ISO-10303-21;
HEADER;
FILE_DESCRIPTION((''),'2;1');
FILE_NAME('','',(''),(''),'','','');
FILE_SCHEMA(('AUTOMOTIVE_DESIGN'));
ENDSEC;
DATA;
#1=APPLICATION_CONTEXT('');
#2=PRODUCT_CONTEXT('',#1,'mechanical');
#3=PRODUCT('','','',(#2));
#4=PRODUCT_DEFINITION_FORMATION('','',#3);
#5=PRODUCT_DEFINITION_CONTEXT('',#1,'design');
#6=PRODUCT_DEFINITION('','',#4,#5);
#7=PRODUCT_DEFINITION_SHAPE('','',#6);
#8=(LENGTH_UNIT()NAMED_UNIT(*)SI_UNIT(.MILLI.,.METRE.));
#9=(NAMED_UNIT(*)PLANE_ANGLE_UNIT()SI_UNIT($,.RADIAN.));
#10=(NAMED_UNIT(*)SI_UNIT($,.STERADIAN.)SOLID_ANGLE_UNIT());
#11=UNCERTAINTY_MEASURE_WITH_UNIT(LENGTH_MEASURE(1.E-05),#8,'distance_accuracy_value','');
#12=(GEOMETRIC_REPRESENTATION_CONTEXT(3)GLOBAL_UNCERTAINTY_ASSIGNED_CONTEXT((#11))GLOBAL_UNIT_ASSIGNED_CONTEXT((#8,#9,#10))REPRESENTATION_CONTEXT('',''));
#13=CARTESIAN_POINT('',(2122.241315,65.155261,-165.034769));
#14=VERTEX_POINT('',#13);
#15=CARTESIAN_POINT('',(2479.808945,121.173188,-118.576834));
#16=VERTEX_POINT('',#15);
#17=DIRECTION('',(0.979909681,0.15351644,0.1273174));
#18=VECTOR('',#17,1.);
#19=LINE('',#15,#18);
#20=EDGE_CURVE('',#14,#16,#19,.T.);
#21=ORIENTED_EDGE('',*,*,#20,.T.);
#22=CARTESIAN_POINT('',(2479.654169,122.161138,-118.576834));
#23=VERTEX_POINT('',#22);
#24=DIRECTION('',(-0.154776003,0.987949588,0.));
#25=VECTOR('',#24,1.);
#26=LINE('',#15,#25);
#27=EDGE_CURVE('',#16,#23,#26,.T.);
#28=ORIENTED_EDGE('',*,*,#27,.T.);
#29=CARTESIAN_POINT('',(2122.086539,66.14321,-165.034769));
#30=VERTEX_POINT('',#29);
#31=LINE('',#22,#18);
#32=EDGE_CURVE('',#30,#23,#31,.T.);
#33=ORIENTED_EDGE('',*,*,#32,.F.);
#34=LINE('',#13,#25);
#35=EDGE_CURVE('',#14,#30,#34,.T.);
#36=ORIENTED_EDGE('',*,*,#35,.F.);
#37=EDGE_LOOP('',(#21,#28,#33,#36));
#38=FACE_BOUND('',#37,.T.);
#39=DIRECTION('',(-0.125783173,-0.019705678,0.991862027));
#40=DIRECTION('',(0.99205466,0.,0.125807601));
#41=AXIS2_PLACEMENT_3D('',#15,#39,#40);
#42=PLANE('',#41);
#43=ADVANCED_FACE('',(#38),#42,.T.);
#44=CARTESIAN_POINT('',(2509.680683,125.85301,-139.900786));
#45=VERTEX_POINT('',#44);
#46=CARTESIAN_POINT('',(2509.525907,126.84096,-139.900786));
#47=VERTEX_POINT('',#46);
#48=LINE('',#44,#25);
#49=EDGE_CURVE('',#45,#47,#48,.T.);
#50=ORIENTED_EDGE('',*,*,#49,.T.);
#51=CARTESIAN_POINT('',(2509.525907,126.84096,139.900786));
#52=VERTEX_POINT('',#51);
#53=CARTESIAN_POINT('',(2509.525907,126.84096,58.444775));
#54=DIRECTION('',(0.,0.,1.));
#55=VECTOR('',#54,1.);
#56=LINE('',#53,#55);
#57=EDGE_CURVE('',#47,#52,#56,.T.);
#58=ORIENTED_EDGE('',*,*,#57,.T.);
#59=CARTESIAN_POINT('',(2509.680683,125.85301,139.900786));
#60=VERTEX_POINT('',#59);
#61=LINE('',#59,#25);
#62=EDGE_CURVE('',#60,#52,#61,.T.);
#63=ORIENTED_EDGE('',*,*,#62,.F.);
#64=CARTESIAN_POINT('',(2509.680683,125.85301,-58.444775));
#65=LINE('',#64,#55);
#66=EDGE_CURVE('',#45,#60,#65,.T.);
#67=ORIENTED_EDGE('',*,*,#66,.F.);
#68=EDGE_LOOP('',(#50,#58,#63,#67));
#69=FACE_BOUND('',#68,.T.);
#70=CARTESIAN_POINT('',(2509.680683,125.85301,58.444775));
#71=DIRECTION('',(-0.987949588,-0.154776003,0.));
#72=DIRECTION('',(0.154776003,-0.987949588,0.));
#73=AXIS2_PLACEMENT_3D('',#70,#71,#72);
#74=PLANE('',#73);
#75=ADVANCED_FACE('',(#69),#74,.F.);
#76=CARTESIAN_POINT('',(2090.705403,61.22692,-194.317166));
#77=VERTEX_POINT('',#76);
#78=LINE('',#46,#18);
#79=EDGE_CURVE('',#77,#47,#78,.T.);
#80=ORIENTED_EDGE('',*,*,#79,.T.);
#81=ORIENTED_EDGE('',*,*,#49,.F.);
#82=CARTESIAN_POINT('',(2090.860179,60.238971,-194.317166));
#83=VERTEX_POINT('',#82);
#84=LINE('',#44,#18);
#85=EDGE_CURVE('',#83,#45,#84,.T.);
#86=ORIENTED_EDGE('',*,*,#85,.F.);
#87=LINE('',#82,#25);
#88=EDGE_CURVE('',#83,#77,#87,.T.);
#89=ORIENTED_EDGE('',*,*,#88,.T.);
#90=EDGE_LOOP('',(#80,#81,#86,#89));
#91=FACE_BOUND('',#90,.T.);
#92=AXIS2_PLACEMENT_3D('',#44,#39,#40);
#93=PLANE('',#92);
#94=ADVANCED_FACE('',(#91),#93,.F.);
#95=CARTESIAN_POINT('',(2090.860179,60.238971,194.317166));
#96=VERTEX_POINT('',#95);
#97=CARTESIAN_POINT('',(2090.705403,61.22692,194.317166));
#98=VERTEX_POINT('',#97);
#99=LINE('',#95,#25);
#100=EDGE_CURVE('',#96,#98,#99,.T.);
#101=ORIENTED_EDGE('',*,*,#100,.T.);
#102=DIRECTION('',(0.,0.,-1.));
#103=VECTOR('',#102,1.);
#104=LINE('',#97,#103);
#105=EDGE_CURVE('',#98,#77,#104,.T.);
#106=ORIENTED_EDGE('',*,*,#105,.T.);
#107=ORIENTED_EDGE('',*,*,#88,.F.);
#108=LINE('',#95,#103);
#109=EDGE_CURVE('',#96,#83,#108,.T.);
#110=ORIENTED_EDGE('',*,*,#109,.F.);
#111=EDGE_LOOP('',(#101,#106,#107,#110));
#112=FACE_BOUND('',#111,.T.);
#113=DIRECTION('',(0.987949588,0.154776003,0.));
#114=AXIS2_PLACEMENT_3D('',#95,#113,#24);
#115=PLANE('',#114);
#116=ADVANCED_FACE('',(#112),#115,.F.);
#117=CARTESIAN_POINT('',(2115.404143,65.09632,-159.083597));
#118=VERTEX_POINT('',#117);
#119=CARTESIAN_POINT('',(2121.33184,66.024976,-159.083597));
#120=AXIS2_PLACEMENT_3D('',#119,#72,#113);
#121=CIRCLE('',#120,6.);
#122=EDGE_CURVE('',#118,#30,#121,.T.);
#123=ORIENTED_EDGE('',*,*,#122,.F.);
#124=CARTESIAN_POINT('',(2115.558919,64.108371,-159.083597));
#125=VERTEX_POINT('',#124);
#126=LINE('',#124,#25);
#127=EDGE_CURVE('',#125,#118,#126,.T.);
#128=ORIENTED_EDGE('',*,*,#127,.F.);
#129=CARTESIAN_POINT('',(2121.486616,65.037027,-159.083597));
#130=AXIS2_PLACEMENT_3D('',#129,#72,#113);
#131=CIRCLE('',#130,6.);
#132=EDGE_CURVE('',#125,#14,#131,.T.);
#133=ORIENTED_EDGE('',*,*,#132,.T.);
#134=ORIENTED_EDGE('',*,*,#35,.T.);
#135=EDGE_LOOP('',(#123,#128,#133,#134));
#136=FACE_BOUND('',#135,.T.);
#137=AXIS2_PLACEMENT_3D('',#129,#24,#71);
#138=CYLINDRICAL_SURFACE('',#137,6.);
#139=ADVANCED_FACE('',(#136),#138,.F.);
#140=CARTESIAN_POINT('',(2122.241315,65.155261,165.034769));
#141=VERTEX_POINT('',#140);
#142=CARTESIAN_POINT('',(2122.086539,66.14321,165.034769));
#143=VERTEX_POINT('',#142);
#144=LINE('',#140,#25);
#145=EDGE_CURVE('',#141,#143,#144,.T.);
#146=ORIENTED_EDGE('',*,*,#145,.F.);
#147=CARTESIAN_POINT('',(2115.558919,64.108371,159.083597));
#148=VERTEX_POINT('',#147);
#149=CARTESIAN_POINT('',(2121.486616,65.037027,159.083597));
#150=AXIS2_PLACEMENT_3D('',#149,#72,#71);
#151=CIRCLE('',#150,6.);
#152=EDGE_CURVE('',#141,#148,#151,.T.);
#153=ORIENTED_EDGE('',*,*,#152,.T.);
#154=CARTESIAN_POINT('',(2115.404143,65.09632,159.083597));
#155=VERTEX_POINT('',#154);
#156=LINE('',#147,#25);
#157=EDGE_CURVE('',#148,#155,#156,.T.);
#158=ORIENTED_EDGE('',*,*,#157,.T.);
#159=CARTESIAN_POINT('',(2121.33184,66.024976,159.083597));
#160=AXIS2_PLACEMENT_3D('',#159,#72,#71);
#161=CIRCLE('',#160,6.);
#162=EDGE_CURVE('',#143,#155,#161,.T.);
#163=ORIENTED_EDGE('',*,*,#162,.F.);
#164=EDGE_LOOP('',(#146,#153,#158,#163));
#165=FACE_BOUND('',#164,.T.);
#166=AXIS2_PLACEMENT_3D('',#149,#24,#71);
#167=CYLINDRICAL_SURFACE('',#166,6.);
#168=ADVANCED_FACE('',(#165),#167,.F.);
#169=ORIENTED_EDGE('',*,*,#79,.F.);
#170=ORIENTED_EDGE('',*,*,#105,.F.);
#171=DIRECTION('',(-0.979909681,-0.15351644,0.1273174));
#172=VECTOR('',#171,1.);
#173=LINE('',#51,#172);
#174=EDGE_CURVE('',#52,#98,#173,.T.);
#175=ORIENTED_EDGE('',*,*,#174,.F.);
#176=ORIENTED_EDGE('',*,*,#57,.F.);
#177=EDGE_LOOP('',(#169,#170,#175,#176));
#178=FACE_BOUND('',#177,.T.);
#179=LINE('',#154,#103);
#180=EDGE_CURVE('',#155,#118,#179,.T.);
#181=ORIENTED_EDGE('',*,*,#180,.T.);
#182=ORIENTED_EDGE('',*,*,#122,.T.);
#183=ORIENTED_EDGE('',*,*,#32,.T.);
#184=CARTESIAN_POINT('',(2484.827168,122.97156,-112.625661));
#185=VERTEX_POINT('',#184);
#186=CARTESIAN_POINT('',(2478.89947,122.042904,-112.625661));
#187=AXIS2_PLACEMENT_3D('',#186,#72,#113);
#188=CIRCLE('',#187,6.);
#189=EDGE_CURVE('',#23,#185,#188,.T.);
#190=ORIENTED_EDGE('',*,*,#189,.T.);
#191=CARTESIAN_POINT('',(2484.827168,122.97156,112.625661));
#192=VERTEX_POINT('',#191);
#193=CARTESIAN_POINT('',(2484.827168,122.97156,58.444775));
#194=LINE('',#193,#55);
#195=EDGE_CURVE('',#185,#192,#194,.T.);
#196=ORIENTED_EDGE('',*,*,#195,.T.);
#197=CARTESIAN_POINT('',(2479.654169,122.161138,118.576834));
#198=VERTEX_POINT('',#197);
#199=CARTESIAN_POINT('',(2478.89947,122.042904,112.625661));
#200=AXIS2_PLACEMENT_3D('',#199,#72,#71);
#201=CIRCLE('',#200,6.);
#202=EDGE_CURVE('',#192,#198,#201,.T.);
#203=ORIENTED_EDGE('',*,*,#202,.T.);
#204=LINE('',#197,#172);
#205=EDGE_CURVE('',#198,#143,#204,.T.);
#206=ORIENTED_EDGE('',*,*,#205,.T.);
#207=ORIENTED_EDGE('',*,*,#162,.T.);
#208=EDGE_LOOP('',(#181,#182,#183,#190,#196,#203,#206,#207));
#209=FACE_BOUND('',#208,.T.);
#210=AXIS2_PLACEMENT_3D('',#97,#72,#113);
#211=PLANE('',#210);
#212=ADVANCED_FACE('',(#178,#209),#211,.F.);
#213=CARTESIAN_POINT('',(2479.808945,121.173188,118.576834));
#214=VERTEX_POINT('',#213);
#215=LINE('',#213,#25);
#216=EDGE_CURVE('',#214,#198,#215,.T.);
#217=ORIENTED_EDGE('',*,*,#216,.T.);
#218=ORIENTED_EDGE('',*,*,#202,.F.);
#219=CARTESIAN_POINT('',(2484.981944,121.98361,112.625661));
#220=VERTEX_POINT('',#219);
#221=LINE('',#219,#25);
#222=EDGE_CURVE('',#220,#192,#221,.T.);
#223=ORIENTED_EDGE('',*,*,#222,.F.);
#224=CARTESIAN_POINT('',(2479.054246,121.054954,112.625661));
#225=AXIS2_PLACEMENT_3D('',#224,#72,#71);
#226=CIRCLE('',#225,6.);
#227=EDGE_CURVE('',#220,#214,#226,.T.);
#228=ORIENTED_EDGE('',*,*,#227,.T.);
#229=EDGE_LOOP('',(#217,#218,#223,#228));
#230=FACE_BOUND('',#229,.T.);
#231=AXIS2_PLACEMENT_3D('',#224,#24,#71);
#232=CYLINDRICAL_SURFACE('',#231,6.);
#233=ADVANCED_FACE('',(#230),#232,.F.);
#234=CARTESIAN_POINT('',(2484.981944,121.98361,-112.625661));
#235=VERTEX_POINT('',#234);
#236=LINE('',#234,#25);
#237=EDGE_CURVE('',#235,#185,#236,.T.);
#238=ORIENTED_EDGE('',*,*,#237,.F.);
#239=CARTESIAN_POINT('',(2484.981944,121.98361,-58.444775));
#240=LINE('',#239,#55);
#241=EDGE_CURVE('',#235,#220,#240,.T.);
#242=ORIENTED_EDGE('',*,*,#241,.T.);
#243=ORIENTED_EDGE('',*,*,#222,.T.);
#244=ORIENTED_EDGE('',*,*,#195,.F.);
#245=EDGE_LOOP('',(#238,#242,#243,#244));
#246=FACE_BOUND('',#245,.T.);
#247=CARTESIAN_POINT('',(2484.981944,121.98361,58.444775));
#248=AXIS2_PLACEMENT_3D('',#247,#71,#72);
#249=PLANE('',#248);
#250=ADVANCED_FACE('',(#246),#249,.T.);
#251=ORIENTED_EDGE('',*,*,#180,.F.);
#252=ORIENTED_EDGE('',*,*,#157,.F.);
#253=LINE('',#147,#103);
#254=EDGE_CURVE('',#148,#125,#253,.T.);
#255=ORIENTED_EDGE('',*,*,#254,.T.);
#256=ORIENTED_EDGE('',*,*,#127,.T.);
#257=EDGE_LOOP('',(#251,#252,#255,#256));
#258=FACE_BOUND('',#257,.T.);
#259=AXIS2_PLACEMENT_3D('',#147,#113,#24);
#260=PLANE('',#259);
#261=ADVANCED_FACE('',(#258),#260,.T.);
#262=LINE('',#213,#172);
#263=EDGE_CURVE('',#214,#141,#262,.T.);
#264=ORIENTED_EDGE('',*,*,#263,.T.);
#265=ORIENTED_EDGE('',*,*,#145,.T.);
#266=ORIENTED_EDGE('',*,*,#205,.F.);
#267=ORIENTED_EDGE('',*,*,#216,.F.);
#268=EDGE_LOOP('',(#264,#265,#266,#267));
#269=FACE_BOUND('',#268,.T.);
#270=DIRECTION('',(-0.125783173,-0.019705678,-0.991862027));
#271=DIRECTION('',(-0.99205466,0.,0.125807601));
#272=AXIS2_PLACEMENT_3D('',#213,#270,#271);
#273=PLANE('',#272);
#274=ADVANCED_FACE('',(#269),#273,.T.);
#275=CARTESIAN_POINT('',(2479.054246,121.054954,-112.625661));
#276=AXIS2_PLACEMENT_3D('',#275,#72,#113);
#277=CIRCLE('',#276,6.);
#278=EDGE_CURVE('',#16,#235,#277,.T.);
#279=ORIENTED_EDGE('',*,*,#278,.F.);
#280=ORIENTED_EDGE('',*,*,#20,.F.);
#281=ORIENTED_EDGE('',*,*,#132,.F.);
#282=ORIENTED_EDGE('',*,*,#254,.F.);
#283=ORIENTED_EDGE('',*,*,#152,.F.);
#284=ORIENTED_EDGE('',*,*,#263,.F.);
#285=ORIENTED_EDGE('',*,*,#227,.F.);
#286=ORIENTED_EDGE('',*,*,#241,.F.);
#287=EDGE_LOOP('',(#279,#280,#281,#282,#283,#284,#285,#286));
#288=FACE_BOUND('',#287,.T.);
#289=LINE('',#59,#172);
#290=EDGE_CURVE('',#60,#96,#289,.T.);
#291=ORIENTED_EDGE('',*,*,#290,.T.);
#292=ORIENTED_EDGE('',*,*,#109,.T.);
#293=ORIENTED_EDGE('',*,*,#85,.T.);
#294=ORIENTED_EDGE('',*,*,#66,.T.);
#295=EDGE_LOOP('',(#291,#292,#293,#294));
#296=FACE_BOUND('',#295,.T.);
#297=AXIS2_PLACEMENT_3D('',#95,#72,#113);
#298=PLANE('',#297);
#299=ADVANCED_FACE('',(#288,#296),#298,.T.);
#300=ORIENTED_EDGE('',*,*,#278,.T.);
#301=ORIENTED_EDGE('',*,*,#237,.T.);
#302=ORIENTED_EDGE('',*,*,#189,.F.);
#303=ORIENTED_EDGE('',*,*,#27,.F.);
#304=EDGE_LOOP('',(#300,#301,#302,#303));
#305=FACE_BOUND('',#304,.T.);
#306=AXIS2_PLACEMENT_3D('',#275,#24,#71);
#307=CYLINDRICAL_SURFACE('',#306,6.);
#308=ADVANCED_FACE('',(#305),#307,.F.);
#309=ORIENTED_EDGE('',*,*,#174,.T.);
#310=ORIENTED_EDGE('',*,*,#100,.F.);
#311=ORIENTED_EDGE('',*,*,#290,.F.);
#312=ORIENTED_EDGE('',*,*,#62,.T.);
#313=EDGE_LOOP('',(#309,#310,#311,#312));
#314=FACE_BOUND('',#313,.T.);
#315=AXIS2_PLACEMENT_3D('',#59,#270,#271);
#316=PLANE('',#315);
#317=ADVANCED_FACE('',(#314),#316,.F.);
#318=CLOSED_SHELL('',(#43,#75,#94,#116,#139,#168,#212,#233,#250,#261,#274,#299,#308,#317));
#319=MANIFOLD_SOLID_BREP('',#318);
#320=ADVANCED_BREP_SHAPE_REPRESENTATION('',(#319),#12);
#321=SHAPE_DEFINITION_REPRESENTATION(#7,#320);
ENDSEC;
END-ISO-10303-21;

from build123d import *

# Parameters (mm, degrees)
BOSS_EXTRUDE1_DEPTH = 1


with BuildPart() as part:
    # Sketch1 → Boss-Extrude1 (new body)
    with BuildSketch(Plane(origin=(40.721862841, -259.93142883, 0), x_dir=(0.987949588, 0.154776003, 0), z_dir=(0.154776003, -0.987949588, 0))):
        Polygon((2498.917023581, -58.444774641), (2498.917023581, -139.900786314), (2074.988000168, -194.317166252), (2074.988000168, 194.317166252), (2498.917023581, 139.900786314), (2498.917023581, 58.444774641), align=None)
        with BuildLine():
            Line((2473.917023581, -58.444774641), (2473.917023581, -112.625661461))
            ThreePointArc((2473.917023581, -112.625661461), (2472.421655996, -116.589029575), (2468.680927979, -118.57683362))
            Line((2468.680927979, -118.57683362), (2106.751904566, -165.034769173))
            ThreePointArc((2106.751904566, -165.034769173), (2102.024632054, -163.588229428), (2099.988000168, -159.083597013))
            Line((2099.988000168, -159.083597013), (2099.988000168, 159.083597013))
            ThreePointArc((2099.988000168, 159.083597013), (2102.024632054, 163.588229428), (2106.751904566, 165.034769173))
            Line((2106.751904566, 165.034769173), (2468.680927979, 118.57683362))
            ThreePointArc((2468.680927979, 118.57683362), (2472.421655996, 116.589029575), (2473.917023581, 112.625661461))
            Line((2473.917023581, 112.625661461), (2473.917023581, 58.444774641))
            Line((2473.917023581, 58.444774641), (2473.917023581, -58.444774641))
        make_face(mode=Mode.SUBTRACT)
    extrude(amount=BOSS_EXTRUDE1_DEPTH)


solid = part.part
